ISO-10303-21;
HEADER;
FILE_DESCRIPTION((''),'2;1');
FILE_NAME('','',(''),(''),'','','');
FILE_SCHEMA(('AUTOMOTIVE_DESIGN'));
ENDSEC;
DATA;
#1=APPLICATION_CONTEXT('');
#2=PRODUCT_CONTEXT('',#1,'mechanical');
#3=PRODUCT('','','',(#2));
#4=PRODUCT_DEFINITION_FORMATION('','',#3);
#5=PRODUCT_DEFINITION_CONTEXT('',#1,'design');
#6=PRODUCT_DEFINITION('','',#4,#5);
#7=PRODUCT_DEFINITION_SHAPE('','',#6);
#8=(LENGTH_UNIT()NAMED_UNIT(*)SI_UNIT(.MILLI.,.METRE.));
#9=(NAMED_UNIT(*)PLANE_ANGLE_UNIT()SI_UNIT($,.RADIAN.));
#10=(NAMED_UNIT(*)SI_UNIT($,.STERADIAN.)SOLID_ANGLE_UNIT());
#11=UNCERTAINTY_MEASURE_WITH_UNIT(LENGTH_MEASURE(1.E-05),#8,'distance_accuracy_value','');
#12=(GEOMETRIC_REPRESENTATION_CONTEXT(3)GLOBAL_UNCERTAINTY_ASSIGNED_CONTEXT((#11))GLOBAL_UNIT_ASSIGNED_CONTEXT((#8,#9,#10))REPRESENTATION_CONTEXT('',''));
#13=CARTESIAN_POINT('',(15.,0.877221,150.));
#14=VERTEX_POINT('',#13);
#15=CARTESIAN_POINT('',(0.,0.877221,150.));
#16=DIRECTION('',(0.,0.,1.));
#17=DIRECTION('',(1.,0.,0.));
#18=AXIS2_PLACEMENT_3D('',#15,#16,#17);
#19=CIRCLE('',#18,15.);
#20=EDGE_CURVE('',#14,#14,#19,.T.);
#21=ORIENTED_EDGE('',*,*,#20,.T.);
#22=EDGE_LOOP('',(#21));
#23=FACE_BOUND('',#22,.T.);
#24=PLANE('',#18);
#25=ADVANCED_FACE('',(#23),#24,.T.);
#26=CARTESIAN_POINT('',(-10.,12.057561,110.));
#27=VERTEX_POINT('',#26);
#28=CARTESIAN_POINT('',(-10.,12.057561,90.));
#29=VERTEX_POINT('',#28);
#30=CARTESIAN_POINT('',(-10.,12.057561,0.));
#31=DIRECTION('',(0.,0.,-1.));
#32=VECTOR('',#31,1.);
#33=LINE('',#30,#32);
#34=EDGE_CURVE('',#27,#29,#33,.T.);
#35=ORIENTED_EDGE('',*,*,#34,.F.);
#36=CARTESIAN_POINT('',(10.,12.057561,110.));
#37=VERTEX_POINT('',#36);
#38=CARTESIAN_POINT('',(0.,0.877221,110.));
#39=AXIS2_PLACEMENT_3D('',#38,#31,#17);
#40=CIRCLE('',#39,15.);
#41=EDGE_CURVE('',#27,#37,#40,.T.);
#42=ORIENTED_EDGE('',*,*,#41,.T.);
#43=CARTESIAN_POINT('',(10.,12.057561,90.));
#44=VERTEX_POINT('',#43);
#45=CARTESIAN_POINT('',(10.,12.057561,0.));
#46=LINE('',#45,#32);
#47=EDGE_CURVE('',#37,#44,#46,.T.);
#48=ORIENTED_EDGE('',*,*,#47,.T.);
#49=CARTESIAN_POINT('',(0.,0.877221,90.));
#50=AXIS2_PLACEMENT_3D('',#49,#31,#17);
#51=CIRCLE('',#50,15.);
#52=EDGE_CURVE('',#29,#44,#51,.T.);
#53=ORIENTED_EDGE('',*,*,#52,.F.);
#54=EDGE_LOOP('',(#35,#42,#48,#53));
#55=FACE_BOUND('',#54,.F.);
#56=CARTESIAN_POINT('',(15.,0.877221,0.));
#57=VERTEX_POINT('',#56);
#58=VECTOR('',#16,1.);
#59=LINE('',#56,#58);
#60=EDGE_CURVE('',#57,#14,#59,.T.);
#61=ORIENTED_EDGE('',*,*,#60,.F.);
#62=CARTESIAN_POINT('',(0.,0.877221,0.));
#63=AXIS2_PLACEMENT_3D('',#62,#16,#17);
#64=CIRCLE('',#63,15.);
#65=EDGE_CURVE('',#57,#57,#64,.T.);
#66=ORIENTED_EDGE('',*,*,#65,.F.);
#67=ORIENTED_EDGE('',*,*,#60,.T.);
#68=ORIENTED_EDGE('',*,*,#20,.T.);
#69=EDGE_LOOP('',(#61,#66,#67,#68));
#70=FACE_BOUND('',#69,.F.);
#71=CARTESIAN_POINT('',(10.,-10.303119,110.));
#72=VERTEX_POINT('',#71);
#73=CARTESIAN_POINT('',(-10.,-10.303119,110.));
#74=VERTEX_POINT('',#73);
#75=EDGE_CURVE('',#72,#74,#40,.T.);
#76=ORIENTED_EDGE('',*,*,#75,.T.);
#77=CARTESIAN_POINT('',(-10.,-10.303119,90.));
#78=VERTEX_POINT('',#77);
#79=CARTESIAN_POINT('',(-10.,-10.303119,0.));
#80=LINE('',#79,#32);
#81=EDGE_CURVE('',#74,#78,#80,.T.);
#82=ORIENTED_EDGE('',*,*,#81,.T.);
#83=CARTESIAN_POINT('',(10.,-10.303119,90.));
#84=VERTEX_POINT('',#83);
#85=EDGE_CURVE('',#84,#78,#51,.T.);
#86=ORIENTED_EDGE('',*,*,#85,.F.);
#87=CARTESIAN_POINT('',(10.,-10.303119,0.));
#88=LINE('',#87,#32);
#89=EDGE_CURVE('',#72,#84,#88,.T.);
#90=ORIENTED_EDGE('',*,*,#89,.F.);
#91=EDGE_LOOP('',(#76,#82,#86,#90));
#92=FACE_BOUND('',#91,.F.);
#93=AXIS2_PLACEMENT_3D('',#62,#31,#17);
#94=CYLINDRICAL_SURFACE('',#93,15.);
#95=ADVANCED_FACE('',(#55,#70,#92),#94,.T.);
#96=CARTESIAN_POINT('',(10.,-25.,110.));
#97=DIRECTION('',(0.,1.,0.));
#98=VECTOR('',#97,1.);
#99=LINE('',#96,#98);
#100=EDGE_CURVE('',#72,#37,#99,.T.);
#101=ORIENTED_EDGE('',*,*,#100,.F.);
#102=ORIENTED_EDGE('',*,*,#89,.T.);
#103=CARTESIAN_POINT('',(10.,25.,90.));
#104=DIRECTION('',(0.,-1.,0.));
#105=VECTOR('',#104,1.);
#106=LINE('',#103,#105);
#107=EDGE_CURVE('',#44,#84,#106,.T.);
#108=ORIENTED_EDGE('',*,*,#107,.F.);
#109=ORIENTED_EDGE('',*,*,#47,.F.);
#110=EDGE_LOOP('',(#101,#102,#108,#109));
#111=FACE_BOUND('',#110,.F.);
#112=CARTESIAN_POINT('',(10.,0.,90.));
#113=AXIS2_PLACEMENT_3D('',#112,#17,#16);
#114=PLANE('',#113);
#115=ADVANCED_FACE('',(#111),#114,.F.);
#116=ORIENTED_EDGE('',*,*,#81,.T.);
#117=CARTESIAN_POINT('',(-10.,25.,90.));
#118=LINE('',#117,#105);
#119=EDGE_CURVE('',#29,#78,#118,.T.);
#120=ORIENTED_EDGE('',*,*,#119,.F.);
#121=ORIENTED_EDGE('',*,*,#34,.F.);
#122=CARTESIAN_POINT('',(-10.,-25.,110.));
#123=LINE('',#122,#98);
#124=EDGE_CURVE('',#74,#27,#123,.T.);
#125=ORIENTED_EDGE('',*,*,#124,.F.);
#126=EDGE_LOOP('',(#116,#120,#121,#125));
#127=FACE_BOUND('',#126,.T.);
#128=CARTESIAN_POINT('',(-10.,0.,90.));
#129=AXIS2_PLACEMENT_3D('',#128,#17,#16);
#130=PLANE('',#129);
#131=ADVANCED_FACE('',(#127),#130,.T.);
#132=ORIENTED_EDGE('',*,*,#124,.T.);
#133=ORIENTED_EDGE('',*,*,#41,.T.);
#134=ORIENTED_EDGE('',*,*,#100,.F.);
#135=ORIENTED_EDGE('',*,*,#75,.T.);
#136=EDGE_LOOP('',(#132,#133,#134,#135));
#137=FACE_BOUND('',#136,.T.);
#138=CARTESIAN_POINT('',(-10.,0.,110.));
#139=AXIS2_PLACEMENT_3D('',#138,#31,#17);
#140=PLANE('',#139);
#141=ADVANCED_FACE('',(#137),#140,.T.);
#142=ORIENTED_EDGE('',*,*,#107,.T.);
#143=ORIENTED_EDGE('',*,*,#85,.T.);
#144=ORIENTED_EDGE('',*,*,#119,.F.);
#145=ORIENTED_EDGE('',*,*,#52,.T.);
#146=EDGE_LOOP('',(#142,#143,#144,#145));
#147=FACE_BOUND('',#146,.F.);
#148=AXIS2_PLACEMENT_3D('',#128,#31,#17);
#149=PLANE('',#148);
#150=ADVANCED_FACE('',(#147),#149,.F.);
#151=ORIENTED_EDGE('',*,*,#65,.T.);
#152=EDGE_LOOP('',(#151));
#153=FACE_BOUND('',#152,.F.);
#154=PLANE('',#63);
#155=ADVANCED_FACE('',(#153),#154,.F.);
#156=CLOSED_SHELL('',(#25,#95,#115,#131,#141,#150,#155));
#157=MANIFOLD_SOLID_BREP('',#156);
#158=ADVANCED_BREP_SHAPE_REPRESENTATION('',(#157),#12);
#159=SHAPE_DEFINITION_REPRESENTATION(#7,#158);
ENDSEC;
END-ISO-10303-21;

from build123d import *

# Parameters (mm, degrees)
F0_R     = 15
F1_DEPTH = 150
F2_W     = 20
F2_H     = 20
F3_DEPTH = 25


with BuildPart() as f1:
    # F0 (on Top) → F1 (new body)
    with BuildSketch(Plane.XY):
        with Locations((0, 0.877221)):
            Circle(F0_R)
    extrude(amount=F1_DEPTH)

    # F2 (on Front) → F3 (cut, symmetric)
    with BuildSketch(Plane.XZ):
        with Locations((0, 100)):
            Rectangle(F2_W, F2_H)
    extrude(amount=F3_DEPTH, both=True, mode=Mode.SUBTRACT)


solid = f1.part
